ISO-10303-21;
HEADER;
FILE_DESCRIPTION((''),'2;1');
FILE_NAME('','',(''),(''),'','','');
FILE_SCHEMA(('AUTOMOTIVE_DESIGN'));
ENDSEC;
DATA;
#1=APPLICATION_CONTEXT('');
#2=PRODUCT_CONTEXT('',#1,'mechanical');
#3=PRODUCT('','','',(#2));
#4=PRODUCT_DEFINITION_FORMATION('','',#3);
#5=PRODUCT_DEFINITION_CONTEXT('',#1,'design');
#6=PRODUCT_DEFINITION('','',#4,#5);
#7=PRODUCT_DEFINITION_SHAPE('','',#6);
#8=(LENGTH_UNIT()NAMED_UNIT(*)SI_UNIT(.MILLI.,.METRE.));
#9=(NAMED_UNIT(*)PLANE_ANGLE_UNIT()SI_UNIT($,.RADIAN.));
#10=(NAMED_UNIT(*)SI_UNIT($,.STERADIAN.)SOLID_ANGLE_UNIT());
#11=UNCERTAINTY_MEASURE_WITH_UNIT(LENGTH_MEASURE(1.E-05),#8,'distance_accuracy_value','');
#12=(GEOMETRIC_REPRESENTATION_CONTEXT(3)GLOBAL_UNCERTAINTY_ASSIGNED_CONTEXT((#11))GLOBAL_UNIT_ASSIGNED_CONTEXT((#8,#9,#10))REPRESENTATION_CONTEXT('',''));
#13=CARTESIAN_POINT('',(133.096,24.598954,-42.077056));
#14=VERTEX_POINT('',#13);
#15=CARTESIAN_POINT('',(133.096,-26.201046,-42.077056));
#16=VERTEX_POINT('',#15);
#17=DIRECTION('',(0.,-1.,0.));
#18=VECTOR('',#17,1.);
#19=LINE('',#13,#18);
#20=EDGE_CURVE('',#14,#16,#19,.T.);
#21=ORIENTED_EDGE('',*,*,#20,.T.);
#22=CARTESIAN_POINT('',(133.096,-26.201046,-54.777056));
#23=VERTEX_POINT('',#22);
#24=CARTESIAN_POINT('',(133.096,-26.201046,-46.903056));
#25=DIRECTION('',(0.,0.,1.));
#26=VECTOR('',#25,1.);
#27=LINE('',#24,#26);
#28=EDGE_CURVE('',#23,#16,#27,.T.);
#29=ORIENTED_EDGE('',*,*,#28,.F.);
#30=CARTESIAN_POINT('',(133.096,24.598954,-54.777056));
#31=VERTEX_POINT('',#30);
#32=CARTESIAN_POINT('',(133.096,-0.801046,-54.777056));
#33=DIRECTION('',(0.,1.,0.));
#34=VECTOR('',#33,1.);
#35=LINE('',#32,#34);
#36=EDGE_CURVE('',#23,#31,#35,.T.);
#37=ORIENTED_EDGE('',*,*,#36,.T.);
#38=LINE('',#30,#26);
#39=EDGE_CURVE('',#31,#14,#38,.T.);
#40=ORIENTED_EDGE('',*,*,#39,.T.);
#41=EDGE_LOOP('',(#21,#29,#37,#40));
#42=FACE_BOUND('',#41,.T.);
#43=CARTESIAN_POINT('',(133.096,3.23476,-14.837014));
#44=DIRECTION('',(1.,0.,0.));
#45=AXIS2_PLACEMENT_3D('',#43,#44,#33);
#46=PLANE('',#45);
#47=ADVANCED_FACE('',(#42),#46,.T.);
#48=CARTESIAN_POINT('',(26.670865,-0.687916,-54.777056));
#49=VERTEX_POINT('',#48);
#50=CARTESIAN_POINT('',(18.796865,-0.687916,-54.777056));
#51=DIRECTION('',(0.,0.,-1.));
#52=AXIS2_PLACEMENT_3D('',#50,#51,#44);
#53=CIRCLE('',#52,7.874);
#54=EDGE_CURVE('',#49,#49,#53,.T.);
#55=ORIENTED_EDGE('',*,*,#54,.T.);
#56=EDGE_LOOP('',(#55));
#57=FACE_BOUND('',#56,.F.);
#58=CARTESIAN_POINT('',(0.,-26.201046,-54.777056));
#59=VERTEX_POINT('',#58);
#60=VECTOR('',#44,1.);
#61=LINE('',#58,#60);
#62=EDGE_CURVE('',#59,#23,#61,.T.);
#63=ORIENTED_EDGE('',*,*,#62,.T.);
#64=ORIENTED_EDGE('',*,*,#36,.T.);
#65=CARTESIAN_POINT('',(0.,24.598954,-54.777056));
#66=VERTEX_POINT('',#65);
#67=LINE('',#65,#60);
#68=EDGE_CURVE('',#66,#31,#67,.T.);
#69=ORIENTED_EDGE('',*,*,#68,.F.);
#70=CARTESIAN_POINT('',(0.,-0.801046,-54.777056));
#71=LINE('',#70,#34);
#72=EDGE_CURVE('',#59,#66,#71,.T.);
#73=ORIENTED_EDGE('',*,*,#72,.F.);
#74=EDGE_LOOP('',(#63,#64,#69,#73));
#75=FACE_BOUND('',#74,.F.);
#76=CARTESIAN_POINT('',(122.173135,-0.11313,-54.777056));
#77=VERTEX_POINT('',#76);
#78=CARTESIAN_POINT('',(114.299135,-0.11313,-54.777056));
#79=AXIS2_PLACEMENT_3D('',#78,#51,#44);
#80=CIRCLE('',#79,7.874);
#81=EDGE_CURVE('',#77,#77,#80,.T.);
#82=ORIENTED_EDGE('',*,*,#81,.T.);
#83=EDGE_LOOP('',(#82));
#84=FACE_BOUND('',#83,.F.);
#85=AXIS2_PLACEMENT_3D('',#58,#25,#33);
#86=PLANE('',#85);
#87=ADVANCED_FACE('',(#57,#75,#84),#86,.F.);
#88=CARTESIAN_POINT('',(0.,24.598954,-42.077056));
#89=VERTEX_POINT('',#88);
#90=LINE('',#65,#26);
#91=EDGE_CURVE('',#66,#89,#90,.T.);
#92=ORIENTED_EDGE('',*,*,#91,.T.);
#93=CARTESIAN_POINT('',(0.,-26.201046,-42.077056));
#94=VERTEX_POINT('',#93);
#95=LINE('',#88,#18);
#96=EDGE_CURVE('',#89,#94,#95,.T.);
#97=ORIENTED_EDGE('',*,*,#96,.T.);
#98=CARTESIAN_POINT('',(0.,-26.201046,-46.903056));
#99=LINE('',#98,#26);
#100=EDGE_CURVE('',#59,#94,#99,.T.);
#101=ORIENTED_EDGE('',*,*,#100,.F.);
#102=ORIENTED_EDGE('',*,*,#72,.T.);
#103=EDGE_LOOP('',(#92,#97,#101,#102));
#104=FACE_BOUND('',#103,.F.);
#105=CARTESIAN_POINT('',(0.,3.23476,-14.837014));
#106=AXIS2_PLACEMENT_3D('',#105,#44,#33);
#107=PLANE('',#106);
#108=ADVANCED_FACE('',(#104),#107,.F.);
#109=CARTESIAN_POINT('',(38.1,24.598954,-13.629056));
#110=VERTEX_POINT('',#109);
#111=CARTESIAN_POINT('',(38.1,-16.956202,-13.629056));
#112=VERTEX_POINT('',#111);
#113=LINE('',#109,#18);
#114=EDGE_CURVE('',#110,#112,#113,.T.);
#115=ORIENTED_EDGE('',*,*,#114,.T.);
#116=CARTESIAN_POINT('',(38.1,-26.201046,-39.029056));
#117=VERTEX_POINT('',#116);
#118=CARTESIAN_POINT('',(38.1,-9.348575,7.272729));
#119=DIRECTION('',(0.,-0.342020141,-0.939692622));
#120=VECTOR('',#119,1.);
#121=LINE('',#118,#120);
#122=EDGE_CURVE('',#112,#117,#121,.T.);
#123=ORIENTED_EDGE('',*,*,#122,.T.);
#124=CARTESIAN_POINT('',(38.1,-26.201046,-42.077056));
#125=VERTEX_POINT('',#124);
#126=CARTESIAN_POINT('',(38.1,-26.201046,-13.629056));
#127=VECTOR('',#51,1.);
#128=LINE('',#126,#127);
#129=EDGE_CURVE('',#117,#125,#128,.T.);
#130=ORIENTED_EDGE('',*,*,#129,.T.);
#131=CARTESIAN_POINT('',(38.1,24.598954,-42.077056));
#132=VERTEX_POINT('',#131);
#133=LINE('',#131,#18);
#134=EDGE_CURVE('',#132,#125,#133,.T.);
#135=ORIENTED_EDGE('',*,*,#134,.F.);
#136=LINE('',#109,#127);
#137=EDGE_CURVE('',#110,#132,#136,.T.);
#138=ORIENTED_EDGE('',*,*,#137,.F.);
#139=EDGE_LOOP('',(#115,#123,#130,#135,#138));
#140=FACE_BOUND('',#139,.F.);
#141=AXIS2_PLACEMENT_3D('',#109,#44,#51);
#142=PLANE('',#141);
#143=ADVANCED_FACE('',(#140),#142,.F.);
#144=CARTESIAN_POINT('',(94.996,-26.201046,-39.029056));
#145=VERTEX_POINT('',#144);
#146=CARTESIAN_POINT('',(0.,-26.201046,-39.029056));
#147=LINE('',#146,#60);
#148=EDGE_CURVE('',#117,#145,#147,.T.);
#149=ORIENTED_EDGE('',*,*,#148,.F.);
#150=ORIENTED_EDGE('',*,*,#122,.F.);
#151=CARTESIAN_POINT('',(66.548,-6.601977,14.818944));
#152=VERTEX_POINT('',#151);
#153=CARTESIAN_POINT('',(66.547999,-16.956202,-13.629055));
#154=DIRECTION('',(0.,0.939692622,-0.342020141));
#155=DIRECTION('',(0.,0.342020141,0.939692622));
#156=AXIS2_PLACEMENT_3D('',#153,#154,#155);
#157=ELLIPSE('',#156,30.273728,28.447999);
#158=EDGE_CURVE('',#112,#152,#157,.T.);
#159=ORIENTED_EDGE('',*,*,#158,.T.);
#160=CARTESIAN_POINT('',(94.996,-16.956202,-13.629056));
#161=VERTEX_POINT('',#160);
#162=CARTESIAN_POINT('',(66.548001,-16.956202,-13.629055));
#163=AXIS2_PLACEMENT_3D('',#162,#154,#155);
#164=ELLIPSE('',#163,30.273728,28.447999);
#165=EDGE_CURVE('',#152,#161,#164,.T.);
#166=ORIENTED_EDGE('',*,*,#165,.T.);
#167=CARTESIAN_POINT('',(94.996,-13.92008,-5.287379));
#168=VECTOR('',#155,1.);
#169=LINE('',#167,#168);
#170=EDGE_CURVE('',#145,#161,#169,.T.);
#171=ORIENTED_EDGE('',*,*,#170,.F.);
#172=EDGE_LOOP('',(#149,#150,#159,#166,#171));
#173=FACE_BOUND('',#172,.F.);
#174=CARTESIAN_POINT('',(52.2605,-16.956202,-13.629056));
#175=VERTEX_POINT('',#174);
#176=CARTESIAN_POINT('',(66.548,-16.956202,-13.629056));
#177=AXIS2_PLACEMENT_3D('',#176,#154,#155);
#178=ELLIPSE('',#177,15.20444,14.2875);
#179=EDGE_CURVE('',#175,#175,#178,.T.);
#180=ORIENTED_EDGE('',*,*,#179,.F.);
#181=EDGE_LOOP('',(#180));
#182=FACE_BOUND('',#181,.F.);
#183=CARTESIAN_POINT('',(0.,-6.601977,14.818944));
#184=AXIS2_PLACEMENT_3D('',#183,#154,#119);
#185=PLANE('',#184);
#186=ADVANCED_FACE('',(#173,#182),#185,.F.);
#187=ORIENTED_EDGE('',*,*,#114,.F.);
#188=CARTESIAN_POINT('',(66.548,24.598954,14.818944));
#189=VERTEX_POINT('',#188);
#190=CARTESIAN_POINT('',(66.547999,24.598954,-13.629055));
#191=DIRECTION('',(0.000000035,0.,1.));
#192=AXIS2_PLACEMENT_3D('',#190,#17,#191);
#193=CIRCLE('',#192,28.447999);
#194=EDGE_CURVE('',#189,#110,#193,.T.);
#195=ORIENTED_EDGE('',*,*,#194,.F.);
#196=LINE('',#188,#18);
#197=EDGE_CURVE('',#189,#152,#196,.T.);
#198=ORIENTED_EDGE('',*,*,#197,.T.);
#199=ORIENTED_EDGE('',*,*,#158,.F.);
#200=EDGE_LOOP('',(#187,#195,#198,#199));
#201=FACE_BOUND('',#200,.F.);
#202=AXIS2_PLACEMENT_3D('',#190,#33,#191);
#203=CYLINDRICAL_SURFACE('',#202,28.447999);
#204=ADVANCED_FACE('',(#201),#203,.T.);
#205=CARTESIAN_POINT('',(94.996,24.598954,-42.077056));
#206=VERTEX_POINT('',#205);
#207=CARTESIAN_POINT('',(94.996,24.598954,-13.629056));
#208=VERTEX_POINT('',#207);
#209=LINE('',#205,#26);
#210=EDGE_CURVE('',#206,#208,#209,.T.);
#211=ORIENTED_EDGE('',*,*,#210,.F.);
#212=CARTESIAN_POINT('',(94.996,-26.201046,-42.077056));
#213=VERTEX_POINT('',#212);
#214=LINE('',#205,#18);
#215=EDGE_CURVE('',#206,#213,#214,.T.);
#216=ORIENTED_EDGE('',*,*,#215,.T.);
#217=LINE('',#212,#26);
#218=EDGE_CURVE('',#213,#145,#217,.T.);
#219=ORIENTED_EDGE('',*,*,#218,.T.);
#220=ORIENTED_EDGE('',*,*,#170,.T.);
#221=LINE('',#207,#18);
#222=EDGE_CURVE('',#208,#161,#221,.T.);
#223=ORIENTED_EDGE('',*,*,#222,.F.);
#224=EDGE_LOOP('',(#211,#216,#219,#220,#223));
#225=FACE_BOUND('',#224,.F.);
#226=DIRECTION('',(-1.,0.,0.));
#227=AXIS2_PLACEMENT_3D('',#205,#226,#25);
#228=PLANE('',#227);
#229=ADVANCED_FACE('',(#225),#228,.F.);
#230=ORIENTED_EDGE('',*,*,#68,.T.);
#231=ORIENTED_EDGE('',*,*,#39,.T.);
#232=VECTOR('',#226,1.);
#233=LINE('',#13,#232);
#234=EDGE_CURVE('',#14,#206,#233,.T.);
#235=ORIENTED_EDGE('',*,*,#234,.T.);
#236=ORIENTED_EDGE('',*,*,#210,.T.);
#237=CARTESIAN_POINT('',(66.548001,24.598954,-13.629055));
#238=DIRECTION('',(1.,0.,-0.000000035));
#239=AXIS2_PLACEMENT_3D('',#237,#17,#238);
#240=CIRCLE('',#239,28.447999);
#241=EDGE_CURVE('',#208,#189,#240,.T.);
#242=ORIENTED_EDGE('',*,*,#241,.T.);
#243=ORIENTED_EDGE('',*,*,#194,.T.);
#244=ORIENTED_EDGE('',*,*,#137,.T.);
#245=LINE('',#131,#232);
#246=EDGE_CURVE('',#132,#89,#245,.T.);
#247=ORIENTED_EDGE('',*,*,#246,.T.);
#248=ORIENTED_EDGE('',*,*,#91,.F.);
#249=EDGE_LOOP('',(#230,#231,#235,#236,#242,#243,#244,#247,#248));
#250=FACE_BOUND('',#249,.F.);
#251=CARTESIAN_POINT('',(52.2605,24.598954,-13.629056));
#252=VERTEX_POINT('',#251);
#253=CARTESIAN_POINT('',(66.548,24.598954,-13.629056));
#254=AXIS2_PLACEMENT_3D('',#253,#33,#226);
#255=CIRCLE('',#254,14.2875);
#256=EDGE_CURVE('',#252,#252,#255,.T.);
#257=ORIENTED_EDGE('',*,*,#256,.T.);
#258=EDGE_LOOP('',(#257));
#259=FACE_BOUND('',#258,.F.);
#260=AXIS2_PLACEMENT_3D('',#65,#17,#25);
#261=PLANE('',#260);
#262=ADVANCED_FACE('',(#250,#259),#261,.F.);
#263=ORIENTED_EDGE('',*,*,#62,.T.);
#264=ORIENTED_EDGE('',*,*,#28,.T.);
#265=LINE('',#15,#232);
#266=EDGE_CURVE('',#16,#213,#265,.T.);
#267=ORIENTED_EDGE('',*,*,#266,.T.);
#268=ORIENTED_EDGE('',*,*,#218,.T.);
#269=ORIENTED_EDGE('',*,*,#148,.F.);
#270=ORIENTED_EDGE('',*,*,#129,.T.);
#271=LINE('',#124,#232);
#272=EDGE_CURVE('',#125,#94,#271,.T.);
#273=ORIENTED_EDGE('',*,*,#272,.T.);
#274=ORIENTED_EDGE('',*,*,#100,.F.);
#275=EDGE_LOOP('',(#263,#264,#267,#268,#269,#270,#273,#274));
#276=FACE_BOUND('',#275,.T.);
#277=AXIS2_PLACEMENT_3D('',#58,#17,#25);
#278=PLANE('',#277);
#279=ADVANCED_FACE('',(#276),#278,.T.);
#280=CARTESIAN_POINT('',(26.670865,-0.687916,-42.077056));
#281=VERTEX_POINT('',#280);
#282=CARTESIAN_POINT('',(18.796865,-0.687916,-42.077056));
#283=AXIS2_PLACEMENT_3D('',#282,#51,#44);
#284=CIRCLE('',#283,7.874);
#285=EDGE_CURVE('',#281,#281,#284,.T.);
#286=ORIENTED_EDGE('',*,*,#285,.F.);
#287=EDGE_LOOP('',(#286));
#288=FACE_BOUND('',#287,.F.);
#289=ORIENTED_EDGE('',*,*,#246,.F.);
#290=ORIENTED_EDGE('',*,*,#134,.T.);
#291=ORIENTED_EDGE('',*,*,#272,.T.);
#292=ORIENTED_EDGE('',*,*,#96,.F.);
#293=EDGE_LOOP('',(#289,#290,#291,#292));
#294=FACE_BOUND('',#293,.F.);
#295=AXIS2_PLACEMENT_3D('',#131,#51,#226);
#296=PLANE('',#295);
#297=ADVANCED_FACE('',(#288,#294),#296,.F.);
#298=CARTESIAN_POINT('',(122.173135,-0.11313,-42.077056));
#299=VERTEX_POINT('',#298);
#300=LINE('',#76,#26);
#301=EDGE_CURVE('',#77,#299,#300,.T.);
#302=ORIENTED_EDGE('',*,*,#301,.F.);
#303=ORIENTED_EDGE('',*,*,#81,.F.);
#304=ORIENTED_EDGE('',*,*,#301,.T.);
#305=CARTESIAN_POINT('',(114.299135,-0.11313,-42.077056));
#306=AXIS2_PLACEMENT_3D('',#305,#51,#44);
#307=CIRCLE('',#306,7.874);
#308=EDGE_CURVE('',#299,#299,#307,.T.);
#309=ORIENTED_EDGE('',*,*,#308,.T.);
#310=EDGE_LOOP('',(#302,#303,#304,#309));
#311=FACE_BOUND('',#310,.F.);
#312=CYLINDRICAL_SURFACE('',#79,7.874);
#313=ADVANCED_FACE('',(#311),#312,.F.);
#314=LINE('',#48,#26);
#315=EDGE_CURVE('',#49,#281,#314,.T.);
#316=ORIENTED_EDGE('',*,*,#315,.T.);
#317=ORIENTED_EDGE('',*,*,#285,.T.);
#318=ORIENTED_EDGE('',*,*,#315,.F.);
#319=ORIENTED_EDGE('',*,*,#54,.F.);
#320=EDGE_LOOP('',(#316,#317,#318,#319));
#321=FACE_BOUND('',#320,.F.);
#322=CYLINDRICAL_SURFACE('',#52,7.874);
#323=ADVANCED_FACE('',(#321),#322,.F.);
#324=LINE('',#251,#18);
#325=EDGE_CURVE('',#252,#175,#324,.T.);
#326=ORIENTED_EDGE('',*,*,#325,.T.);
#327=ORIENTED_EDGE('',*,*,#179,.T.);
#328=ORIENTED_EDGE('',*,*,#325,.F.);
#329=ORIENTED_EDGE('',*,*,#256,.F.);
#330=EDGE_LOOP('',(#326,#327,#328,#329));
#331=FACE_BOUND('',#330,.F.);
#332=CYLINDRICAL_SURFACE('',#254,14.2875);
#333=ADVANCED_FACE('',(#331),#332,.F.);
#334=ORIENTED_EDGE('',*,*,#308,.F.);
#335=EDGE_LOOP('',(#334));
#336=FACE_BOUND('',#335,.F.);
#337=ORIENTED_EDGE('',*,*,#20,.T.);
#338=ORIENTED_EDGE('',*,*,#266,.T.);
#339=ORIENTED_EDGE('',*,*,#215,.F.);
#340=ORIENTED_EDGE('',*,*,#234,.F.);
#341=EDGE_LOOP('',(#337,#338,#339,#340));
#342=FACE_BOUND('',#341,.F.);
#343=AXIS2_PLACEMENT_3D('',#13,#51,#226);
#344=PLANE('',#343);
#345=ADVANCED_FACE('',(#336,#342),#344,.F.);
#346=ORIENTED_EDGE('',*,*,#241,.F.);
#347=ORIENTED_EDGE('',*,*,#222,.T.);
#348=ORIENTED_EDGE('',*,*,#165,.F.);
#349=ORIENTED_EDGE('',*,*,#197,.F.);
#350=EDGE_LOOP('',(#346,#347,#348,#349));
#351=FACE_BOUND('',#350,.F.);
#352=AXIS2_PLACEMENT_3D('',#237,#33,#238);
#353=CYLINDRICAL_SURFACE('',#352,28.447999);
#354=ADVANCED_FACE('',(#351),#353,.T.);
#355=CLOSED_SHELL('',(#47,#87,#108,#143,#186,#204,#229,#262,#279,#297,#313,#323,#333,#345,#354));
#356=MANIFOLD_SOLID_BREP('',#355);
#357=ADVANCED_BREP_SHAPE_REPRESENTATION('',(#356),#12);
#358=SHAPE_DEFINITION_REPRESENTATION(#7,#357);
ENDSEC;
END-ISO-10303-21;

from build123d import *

# Parameters (mm, degrees)
F0_W     = 50.8
F0_H     = 15.748
F1_DEPTH = 133.096
F2_R     = 14.2875
F3_DEPTH = 50.8
F4_R     = 7.874
F5_DEPTH = 12.7


with BuildPart() as f1:
    # F0 (on Right) → F1 (new body)
    with BuildSketch(Plane.YZ):
        Polygon((24.598954, 14.818944), (-6.601977, 14.818944), (-26.201046, -39.029056), (24.598954, -39.029056), align=None)
        with Locations((-0.801046, -46.903056)):
            Rectangle(F0_W, F0_H)
    extrude(amount=F1_DEPTH)

    # F2 (on face) → F3 (cut)
    with BuildSketch(Plane(origin=(0, 24.598954, 0), x_dir=(-1, 0, 0), z_dir=(0, 1, 0))):
        with BuildLine():
            Line((-133.096, 14.818944), (-133.096, -42.077056))
            Line((-133.096, -42.077056), (-94.996, -42.077056))
            Line((-94.996, -42.077056), (-94.996, -13.629056))
            ThreePointArc((-94.996, -13.629056), (-86.663774, 6.486718), (-66.548, 14.818944))
            Line((-66.548, 14.818944), (-133.096, 14.818944))
        make_face()
        with BuildLine():
            Line((-38.1, -42.077056), (0, -42.077056))
            Line((0, -42.077056), (0, 14.818944))
            Line((0, 14.818944), (-66.548, 14.818944))
            ThreePointArc((-66.548, 14.818944), (-46.432226, 6.486718), (-38.1, -13.629056))
            Line((-38.1, -13.629056), (-38.1, -42.077056))
        make_face()
        with Locations((-66.548, -13.629056)):
            Circle(F2_R)
    extrude(amount=-F3_DEPTH, mode=Mode.SUBTRACT)

    # F4 (on face) → F5 (cut)
    with BuildSketch(Plane(origin=(0, 0, -54.777056), x_dir=(1, 0, 0), z_dir=(0, 0, -1))):
        with Locations((18.796865, 0.687916)):
            Circle(F4_R)
        with Locations((114.299135, 0.11313)):
            Circle(F4_R)
    extrude(amount=-F5_DEPTH, mode=Mode.SUBTRACT)


solid = f1.part
